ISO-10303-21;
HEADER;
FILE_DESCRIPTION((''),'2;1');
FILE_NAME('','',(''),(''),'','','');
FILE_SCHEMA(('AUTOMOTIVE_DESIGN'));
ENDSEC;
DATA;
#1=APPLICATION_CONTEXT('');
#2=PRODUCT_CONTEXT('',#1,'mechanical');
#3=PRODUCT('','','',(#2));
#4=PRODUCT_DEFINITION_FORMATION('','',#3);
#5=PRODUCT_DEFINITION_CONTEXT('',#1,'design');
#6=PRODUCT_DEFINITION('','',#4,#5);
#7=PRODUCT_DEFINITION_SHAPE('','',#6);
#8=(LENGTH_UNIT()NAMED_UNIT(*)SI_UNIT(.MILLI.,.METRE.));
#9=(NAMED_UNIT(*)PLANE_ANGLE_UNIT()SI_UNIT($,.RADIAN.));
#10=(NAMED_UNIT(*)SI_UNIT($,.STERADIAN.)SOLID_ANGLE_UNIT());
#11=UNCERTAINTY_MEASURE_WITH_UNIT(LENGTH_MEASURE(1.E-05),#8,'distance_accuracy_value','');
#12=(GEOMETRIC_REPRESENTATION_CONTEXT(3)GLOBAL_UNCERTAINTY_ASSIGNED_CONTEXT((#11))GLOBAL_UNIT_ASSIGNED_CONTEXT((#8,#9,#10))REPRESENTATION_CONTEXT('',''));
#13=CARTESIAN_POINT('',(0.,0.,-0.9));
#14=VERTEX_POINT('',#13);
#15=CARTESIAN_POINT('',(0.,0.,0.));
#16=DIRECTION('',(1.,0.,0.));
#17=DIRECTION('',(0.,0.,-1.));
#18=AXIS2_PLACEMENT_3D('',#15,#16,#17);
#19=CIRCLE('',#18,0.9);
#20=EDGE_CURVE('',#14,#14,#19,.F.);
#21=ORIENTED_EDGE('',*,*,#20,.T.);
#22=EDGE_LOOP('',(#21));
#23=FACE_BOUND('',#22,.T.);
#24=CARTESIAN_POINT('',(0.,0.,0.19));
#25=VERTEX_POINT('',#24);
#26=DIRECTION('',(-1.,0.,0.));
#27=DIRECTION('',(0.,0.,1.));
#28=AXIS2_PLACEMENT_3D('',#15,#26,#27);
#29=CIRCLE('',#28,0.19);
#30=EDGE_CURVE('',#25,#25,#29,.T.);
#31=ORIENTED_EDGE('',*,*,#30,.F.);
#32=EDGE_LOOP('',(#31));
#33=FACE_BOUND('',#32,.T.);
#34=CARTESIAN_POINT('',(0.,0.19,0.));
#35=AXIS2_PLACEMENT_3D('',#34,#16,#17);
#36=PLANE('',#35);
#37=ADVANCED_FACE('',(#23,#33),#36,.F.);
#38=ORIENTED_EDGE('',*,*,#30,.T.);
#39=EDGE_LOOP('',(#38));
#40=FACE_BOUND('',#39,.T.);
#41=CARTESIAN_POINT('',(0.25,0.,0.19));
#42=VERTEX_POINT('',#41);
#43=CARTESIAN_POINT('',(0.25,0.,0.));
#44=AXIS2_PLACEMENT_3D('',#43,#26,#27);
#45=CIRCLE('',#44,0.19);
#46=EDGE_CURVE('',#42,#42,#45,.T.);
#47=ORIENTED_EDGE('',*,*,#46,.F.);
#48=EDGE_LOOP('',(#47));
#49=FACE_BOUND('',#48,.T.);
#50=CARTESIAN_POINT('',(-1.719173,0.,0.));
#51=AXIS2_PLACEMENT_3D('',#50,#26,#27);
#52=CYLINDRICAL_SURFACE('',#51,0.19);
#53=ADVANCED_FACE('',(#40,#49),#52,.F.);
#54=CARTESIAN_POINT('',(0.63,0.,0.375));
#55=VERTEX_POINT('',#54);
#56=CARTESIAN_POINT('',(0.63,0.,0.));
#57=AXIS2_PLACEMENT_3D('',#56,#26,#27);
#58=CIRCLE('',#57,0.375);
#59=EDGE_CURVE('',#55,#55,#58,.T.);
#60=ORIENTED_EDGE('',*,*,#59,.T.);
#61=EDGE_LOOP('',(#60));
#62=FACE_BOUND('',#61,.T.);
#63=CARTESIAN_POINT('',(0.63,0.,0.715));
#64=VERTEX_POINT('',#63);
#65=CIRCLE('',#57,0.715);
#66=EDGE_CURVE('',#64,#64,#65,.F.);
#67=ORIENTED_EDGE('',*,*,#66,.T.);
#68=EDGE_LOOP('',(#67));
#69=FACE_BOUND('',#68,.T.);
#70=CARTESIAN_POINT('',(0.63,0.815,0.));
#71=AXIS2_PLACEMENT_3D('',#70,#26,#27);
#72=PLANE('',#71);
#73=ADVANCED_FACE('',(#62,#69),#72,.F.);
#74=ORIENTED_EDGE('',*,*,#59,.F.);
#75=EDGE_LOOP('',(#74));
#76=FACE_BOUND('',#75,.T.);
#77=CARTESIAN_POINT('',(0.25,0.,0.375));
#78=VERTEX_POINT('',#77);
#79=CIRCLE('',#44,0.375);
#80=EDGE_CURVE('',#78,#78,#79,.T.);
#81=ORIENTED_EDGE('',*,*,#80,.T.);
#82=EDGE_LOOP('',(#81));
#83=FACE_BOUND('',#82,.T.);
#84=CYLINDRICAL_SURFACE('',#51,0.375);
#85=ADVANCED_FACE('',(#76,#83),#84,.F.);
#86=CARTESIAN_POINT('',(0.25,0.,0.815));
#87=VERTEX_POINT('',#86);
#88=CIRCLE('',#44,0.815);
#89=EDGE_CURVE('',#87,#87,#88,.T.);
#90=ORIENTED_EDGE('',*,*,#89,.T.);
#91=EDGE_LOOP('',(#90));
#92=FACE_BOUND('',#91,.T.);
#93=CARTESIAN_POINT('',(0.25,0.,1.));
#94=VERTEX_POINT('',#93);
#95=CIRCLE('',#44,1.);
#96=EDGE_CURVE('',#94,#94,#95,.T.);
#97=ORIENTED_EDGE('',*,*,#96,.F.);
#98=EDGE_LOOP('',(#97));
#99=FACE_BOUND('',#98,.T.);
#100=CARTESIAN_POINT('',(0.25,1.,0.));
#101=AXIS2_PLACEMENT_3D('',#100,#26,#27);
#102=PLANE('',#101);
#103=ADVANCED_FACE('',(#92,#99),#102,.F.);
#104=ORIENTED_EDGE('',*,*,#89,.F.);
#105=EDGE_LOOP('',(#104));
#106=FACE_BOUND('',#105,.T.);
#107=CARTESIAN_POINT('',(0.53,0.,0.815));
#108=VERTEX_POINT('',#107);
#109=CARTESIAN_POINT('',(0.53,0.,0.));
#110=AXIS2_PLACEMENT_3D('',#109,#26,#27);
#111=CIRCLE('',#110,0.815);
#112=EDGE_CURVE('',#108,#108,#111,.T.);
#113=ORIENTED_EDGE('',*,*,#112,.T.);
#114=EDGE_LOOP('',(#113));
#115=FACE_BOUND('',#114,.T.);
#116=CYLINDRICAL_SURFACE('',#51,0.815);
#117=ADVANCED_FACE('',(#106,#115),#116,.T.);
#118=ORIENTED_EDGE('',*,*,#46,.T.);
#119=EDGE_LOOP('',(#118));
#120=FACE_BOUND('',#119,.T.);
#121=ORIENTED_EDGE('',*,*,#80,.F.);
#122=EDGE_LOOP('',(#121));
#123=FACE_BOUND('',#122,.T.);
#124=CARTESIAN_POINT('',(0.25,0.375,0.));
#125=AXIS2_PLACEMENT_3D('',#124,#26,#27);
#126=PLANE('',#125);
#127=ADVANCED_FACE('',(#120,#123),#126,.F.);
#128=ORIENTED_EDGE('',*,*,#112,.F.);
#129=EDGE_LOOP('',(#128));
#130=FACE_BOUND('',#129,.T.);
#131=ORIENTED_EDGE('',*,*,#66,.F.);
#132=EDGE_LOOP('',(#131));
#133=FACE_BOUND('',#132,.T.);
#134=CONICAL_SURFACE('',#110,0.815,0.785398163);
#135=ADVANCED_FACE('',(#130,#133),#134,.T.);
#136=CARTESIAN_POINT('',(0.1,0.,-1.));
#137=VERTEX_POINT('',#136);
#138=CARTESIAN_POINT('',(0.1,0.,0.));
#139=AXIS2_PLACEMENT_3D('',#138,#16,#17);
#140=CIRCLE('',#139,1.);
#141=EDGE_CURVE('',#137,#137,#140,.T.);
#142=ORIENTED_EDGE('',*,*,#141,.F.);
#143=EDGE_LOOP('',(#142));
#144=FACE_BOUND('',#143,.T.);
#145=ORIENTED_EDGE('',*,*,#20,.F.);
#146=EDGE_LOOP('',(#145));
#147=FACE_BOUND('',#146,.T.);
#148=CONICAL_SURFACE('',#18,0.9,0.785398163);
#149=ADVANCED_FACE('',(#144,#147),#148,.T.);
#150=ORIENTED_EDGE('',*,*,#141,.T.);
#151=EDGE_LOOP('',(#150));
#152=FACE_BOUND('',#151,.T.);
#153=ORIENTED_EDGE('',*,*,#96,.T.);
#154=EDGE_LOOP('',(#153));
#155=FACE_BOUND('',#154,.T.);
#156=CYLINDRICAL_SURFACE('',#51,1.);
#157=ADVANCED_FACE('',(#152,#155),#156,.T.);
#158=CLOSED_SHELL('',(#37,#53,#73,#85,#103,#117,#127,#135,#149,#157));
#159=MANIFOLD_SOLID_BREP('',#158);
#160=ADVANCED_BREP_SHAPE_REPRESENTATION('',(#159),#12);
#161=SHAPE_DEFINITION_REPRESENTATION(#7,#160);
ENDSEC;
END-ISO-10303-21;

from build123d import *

# Parameters (mm, degrees)
CHAMFER1_SIZE = 0.1


with BuildPart() as part:
    # Sketch1 → Revolve1 (revolve)
    with BuildSketch(Plane.XY):
        Polygon((0, 0.19), (0, 1), (0.25, 1), (0.25, 0.815), (0.63, 0.815), (0.63, 0.375), (0.25, 0.375), (0.25, 0.19), align=None)
    revolve(axis=Axis((-1.719172551, 0, 0), (1, 0, 0)))

    # Chamfer1
    chamfer1_edges = [part.edges().sort_by_distance(p)[0] for p in [
        (0.63, -0.815, 0),
        (0, -1, 0),
    ]]
    chamfer(chamfer1_edges, length=CHAMFER1_SIZE)


solid = part.part
